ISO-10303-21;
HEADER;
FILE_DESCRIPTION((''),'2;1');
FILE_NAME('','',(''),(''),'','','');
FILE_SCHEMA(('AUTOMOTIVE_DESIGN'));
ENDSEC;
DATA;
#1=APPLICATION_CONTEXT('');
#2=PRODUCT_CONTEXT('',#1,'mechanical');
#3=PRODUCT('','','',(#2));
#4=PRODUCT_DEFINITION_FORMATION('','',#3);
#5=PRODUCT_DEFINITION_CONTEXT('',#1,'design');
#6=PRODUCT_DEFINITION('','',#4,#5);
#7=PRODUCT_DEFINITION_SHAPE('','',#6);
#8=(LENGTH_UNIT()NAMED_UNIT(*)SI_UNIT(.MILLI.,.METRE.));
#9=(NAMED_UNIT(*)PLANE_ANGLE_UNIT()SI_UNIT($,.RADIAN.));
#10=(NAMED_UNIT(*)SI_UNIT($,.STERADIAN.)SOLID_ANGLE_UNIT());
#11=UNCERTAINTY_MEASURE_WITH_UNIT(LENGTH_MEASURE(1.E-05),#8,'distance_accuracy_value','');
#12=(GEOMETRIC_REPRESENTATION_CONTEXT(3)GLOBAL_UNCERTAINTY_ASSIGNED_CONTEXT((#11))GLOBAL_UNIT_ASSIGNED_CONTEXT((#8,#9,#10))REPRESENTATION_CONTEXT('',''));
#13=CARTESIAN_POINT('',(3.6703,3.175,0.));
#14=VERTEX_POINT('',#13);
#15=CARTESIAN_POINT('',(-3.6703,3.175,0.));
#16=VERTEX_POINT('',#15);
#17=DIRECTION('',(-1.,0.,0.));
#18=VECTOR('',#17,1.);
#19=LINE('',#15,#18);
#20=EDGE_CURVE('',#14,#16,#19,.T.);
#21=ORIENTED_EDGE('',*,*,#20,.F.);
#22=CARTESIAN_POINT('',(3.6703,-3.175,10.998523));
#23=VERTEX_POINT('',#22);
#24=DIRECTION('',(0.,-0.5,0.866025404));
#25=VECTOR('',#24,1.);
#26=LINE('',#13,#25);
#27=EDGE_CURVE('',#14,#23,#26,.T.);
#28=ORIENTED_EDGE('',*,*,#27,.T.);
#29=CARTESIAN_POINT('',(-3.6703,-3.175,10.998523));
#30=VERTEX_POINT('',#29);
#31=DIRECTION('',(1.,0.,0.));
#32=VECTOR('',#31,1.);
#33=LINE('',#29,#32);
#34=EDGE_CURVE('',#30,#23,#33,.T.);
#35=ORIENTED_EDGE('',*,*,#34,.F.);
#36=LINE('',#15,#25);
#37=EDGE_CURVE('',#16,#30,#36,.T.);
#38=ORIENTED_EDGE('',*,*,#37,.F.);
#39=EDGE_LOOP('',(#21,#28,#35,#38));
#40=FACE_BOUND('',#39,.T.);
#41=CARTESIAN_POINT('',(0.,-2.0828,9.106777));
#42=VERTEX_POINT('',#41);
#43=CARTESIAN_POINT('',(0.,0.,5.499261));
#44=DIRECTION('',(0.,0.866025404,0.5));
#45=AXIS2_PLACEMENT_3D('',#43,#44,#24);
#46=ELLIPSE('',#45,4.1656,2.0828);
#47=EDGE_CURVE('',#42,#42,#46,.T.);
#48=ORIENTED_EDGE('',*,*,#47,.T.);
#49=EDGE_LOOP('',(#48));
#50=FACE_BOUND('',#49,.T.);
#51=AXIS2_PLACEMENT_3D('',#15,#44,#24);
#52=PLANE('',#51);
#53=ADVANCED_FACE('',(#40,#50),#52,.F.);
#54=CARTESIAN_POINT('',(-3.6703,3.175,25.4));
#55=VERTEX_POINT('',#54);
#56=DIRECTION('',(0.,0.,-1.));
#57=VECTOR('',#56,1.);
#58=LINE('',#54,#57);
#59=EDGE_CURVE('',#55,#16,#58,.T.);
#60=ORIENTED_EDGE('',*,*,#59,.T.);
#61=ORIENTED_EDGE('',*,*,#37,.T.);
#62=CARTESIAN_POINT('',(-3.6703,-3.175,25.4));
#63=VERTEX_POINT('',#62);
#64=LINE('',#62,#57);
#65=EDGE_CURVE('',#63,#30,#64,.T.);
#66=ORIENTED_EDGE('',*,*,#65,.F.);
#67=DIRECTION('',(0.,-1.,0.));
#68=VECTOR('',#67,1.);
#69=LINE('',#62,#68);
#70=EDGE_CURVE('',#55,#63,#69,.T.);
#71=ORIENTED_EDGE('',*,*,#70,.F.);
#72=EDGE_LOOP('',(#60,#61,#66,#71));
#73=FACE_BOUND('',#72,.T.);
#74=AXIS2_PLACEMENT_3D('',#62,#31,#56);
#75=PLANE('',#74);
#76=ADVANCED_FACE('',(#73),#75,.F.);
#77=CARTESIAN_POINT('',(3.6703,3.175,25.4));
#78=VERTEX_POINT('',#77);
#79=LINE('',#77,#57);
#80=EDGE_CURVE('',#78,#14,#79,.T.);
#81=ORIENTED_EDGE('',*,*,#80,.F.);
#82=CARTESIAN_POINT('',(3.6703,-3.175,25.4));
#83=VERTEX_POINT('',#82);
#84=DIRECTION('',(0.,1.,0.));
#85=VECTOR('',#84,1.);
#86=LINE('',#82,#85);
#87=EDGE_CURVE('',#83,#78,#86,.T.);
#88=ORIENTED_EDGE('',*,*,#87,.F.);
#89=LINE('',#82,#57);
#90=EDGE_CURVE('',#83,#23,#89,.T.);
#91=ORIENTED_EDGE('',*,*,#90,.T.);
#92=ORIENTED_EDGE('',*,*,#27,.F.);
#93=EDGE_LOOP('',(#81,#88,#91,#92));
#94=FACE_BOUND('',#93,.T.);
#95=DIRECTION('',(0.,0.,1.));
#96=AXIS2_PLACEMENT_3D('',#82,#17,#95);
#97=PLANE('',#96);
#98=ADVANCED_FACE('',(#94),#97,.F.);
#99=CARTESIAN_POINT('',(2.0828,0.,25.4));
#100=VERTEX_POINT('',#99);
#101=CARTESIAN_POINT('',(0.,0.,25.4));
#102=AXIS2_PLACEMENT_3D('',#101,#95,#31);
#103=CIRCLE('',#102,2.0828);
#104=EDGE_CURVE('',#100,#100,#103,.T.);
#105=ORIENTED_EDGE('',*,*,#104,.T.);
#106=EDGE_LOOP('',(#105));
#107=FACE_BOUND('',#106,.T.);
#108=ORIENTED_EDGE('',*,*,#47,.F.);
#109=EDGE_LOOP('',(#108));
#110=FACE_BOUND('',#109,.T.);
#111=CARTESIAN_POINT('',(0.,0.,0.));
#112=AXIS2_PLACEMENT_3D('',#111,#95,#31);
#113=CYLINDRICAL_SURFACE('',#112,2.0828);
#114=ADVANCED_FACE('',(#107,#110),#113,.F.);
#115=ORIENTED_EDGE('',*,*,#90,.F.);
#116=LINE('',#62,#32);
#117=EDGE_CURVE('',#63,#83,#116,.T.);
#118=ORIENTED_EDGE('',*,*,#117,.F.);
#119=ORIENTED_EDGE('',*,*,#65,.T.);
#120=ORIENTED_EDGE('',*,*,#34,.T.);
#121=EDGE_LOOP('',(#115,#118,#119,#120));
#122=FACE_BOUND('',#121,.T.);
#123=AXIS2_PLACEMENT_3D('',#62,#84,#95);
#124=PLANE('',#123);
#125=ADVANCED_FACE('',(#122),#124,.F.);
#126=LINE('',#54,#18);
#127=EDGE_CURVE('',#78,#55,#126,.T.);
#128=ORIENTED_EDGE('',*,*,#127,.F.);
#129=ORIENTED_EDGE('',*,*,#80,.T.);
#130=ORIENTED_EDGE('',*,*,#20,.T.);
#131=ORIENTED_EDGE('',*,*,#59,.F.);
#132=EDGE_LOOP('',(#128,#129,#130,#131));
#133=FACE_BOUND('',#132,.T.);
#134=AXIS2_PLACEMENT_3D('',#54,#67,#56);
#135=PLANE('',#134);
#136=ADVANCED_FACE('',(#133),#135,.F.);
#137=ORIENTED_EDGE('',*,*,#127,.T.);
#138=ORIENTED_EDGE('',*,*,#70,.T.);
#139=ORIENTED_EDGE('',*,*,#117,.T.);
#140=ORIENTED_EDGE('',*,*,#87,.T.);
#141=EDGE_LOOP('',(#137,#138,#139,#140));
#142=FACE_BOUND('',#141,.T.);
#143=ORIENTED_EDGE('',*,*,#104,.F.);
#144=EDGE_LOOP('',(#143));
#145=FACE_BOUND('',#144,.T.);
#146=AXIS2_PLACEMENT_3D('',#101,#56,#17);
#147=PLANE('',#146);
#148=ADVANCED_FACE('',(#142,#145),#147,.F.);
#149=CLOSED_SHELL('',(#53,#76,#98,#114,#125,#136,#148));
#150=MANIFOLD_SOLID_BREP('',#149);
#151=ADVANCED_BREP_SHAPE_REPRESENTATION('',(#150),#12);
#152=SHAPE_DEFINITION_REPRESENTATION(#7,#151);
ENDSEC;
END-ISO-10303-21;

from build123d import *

# Parameters (mm, degrees)
SKETCH1_W           = 7.3406
SKETCH1_H           = 6.35
BOSS_EXTRUDE1_DEPTH = 25.4
CUT_EXTRUDE1_DEPTH  = 7.3406
SKETCH3_R           = 2.0828
CUT_EXTRUDE2_DEPTH  = 25.4


with BuildPart() as part:
    # Sketch1 → Boss-Extrude1 (new body)
    with BuildSketch(Plane.XY):
        Rectangle(SKETCH1_W, SKETCH1_H)
    extrude(amount=BOSS_EXTRUDE1_DEPTH)

    # Sketch2 → Cut-Extrude1 (cut)
    with BuildSketch(Plane(origin=(3.6703, 0, 0), x_dir=(0, 0, -1), z_dir=(1, 0, 0))):
        Polygon((0, 3.175), (-10.998522628, -3.175), (0, -3.175), align=None)
    extrude(amount=-CUT_EXTRUDE1_DEPTH, mode=Mode.SUBTRACT)

    # Sketch3 → Cut-Extrude2 (cut)
    with BuildSketch(Plane.XY.offset(25.4)):
        Circle(SKETCH3_R)
    extrude(amount=-CUT_EXTRUDE2_DEPTH, mode=Mode.SUBTRACT)


solid = part.part
